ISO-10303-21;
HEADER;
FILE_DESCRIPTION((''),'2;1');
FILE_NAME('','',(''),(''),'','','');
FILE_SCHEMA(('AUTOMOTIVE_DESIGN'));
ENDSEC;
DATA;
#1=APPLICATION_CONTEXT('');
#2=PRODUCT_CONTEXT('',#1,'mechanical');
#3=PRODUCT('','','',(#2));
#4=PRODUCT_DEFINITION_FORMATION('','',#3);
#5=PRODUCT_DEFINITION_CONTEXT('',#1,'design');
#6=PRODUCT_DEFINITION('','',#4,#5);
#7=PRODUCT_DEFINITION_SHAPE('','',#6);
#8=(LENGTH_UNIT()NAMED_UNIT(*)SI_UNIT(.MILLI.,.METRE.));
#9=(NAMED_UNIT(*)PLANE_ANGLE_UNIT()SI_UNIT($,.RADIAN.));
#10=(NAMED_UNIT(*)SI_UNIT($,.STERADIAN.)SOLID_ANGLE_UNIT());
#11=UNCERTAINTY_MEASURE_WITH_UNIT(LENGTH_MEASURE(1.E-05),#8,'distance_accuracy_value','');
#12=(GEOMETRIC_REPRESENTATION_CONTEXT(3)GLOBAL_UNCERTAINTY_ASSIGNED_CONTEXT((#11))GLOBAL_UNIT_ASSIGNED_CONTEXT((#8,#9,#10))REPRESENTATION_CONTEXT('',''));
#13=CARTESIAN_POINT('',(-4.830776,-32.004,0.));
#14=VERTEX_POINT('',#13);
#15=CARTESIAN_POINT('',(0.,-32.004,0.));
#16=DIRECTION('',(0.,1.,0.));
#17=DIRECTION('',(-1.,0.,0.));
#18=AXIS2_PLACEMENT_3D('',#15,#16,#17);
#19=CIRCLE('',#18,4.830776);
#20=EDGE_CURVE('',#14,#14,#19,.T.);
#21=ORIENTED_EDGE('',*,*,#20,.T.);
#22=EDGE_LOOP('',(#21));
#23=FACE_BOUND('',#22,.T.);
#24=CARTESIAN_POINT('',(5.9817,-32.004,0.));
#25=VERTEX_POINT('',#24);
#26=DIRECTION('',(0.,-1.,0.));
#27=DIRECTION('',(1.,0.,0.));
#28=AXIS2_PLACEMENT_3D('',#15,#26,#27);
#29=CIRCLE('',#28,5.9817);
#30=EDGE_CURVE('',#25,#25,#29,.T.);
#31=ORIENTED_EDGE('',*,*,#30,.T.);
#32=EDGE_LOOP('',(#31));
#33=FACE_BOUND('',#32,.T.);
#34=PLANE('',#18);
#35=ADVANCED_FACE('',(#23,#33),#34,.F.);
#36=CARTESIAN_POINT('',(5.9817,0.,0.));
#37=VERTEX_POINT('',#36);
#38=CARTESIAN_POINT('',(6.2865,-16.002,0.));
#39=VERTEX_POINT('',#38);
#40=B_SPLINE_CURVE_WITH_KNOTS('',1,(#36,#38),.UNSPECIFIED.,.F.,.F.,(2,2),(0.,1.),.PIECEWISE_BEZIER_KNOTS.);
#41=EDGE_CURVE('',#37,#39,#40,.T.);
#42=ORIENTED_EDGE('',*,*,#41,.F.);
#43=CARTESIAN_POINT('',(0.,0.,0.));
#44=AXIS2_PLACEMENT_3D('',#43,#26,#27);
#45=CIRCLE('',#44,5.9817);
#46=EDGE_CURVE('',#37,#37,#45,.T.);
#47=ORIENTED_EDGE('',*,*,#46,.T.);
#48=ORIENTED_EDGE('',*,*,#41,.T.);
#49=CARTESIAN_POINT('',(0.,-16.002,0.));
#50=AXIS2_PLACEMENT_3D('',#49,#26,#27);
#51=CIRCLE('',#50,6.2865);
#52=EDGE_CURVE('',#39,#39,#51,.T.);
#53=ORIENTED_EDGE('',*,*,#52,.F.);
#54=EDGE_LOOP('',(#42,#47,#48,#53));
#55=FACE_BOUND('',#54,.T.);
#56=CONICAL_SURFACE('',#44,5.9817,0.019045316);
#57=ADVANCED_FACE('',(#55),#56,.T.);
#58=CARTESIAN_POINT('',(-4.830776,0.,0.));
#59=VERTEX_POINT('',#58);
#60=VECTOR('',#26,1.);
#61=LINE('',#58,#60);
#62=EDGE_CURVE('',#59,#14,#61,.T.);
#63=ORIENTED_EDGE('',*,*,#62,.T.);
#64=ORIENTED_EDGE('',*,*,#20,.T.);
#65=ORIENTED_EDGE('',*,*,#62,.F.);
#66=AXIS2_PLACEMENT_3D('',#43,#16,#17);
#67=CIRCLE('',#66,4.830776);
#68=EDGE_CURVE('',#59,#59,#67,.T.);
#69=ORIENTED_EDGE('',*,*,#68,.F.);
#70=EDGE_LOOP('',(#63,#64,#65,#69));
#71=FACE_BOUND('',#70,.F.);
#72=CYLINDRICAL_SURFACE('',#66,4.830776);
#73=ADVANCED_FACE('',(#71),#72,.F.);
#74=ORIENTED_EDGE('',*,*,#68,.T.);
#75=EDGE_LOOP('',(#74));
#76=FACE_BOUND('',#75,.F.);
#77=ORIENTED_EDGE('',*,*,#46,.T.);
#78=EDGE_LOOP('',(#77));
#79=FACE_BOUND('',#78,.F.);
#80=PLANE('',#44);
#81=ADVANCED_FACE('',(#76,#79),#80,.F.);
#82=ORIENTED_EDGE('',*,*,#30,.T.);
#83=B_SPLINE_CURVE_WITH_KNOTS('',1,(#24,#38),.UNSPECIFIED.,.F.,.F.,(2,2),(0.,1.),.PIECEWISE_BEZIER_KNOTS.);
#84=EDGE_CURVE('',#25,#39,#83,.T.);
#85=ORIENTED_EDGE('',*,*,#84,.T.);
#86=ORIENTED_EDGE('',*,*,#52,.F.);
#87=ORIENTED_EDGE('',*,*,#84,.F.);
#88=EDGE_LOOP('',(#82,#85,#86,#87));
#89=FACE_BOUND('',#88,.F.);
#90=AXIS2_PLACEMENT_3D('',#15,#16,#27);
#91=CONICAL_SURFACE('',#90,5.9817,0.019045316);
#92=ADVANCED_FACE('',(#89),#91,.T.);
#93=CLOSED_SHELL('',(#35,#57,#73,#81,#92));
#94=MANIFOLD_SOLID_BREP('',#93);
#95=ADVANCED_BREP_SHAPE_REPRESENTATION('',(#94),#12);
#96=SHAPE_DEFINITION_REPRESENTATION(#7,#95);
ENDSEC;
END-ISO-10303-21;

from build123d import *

# Parameters (mm, degrees)
F0_R     = 5.9817
F2_R     = 6.2865
F5_R     = 4.830776
F6_DEPTH = 50.8


with BuildPart() as f3:
    # F0 (on Front) → F3 section 0
    with BuildSketch(Plane.XZ):
        Circle(F0_R)
    # F2 (on offset) → F3 section 1
    with BuildSketch(Plane.XZ.offset(16.002)):
        Circle(F2_R)
    loft()

    # F4: F3 across plane


with BuildPart() as f3_1:
    add(f3.part)
    add(f3.part.mirror(Plane.XZ.offset(16.002)))

    # F5 (on face) → F6 (cut)
    with BuildSketch(Plane(origin=(0, 0, 0), x_dir=(-1, 0, 0), z_dir=(0, 1, 0))):
        Circle(F5_R)
    extrude(amount=-F6_DEPTH, mode=Mode.SUBTRACT)


solid = f3_1.part
